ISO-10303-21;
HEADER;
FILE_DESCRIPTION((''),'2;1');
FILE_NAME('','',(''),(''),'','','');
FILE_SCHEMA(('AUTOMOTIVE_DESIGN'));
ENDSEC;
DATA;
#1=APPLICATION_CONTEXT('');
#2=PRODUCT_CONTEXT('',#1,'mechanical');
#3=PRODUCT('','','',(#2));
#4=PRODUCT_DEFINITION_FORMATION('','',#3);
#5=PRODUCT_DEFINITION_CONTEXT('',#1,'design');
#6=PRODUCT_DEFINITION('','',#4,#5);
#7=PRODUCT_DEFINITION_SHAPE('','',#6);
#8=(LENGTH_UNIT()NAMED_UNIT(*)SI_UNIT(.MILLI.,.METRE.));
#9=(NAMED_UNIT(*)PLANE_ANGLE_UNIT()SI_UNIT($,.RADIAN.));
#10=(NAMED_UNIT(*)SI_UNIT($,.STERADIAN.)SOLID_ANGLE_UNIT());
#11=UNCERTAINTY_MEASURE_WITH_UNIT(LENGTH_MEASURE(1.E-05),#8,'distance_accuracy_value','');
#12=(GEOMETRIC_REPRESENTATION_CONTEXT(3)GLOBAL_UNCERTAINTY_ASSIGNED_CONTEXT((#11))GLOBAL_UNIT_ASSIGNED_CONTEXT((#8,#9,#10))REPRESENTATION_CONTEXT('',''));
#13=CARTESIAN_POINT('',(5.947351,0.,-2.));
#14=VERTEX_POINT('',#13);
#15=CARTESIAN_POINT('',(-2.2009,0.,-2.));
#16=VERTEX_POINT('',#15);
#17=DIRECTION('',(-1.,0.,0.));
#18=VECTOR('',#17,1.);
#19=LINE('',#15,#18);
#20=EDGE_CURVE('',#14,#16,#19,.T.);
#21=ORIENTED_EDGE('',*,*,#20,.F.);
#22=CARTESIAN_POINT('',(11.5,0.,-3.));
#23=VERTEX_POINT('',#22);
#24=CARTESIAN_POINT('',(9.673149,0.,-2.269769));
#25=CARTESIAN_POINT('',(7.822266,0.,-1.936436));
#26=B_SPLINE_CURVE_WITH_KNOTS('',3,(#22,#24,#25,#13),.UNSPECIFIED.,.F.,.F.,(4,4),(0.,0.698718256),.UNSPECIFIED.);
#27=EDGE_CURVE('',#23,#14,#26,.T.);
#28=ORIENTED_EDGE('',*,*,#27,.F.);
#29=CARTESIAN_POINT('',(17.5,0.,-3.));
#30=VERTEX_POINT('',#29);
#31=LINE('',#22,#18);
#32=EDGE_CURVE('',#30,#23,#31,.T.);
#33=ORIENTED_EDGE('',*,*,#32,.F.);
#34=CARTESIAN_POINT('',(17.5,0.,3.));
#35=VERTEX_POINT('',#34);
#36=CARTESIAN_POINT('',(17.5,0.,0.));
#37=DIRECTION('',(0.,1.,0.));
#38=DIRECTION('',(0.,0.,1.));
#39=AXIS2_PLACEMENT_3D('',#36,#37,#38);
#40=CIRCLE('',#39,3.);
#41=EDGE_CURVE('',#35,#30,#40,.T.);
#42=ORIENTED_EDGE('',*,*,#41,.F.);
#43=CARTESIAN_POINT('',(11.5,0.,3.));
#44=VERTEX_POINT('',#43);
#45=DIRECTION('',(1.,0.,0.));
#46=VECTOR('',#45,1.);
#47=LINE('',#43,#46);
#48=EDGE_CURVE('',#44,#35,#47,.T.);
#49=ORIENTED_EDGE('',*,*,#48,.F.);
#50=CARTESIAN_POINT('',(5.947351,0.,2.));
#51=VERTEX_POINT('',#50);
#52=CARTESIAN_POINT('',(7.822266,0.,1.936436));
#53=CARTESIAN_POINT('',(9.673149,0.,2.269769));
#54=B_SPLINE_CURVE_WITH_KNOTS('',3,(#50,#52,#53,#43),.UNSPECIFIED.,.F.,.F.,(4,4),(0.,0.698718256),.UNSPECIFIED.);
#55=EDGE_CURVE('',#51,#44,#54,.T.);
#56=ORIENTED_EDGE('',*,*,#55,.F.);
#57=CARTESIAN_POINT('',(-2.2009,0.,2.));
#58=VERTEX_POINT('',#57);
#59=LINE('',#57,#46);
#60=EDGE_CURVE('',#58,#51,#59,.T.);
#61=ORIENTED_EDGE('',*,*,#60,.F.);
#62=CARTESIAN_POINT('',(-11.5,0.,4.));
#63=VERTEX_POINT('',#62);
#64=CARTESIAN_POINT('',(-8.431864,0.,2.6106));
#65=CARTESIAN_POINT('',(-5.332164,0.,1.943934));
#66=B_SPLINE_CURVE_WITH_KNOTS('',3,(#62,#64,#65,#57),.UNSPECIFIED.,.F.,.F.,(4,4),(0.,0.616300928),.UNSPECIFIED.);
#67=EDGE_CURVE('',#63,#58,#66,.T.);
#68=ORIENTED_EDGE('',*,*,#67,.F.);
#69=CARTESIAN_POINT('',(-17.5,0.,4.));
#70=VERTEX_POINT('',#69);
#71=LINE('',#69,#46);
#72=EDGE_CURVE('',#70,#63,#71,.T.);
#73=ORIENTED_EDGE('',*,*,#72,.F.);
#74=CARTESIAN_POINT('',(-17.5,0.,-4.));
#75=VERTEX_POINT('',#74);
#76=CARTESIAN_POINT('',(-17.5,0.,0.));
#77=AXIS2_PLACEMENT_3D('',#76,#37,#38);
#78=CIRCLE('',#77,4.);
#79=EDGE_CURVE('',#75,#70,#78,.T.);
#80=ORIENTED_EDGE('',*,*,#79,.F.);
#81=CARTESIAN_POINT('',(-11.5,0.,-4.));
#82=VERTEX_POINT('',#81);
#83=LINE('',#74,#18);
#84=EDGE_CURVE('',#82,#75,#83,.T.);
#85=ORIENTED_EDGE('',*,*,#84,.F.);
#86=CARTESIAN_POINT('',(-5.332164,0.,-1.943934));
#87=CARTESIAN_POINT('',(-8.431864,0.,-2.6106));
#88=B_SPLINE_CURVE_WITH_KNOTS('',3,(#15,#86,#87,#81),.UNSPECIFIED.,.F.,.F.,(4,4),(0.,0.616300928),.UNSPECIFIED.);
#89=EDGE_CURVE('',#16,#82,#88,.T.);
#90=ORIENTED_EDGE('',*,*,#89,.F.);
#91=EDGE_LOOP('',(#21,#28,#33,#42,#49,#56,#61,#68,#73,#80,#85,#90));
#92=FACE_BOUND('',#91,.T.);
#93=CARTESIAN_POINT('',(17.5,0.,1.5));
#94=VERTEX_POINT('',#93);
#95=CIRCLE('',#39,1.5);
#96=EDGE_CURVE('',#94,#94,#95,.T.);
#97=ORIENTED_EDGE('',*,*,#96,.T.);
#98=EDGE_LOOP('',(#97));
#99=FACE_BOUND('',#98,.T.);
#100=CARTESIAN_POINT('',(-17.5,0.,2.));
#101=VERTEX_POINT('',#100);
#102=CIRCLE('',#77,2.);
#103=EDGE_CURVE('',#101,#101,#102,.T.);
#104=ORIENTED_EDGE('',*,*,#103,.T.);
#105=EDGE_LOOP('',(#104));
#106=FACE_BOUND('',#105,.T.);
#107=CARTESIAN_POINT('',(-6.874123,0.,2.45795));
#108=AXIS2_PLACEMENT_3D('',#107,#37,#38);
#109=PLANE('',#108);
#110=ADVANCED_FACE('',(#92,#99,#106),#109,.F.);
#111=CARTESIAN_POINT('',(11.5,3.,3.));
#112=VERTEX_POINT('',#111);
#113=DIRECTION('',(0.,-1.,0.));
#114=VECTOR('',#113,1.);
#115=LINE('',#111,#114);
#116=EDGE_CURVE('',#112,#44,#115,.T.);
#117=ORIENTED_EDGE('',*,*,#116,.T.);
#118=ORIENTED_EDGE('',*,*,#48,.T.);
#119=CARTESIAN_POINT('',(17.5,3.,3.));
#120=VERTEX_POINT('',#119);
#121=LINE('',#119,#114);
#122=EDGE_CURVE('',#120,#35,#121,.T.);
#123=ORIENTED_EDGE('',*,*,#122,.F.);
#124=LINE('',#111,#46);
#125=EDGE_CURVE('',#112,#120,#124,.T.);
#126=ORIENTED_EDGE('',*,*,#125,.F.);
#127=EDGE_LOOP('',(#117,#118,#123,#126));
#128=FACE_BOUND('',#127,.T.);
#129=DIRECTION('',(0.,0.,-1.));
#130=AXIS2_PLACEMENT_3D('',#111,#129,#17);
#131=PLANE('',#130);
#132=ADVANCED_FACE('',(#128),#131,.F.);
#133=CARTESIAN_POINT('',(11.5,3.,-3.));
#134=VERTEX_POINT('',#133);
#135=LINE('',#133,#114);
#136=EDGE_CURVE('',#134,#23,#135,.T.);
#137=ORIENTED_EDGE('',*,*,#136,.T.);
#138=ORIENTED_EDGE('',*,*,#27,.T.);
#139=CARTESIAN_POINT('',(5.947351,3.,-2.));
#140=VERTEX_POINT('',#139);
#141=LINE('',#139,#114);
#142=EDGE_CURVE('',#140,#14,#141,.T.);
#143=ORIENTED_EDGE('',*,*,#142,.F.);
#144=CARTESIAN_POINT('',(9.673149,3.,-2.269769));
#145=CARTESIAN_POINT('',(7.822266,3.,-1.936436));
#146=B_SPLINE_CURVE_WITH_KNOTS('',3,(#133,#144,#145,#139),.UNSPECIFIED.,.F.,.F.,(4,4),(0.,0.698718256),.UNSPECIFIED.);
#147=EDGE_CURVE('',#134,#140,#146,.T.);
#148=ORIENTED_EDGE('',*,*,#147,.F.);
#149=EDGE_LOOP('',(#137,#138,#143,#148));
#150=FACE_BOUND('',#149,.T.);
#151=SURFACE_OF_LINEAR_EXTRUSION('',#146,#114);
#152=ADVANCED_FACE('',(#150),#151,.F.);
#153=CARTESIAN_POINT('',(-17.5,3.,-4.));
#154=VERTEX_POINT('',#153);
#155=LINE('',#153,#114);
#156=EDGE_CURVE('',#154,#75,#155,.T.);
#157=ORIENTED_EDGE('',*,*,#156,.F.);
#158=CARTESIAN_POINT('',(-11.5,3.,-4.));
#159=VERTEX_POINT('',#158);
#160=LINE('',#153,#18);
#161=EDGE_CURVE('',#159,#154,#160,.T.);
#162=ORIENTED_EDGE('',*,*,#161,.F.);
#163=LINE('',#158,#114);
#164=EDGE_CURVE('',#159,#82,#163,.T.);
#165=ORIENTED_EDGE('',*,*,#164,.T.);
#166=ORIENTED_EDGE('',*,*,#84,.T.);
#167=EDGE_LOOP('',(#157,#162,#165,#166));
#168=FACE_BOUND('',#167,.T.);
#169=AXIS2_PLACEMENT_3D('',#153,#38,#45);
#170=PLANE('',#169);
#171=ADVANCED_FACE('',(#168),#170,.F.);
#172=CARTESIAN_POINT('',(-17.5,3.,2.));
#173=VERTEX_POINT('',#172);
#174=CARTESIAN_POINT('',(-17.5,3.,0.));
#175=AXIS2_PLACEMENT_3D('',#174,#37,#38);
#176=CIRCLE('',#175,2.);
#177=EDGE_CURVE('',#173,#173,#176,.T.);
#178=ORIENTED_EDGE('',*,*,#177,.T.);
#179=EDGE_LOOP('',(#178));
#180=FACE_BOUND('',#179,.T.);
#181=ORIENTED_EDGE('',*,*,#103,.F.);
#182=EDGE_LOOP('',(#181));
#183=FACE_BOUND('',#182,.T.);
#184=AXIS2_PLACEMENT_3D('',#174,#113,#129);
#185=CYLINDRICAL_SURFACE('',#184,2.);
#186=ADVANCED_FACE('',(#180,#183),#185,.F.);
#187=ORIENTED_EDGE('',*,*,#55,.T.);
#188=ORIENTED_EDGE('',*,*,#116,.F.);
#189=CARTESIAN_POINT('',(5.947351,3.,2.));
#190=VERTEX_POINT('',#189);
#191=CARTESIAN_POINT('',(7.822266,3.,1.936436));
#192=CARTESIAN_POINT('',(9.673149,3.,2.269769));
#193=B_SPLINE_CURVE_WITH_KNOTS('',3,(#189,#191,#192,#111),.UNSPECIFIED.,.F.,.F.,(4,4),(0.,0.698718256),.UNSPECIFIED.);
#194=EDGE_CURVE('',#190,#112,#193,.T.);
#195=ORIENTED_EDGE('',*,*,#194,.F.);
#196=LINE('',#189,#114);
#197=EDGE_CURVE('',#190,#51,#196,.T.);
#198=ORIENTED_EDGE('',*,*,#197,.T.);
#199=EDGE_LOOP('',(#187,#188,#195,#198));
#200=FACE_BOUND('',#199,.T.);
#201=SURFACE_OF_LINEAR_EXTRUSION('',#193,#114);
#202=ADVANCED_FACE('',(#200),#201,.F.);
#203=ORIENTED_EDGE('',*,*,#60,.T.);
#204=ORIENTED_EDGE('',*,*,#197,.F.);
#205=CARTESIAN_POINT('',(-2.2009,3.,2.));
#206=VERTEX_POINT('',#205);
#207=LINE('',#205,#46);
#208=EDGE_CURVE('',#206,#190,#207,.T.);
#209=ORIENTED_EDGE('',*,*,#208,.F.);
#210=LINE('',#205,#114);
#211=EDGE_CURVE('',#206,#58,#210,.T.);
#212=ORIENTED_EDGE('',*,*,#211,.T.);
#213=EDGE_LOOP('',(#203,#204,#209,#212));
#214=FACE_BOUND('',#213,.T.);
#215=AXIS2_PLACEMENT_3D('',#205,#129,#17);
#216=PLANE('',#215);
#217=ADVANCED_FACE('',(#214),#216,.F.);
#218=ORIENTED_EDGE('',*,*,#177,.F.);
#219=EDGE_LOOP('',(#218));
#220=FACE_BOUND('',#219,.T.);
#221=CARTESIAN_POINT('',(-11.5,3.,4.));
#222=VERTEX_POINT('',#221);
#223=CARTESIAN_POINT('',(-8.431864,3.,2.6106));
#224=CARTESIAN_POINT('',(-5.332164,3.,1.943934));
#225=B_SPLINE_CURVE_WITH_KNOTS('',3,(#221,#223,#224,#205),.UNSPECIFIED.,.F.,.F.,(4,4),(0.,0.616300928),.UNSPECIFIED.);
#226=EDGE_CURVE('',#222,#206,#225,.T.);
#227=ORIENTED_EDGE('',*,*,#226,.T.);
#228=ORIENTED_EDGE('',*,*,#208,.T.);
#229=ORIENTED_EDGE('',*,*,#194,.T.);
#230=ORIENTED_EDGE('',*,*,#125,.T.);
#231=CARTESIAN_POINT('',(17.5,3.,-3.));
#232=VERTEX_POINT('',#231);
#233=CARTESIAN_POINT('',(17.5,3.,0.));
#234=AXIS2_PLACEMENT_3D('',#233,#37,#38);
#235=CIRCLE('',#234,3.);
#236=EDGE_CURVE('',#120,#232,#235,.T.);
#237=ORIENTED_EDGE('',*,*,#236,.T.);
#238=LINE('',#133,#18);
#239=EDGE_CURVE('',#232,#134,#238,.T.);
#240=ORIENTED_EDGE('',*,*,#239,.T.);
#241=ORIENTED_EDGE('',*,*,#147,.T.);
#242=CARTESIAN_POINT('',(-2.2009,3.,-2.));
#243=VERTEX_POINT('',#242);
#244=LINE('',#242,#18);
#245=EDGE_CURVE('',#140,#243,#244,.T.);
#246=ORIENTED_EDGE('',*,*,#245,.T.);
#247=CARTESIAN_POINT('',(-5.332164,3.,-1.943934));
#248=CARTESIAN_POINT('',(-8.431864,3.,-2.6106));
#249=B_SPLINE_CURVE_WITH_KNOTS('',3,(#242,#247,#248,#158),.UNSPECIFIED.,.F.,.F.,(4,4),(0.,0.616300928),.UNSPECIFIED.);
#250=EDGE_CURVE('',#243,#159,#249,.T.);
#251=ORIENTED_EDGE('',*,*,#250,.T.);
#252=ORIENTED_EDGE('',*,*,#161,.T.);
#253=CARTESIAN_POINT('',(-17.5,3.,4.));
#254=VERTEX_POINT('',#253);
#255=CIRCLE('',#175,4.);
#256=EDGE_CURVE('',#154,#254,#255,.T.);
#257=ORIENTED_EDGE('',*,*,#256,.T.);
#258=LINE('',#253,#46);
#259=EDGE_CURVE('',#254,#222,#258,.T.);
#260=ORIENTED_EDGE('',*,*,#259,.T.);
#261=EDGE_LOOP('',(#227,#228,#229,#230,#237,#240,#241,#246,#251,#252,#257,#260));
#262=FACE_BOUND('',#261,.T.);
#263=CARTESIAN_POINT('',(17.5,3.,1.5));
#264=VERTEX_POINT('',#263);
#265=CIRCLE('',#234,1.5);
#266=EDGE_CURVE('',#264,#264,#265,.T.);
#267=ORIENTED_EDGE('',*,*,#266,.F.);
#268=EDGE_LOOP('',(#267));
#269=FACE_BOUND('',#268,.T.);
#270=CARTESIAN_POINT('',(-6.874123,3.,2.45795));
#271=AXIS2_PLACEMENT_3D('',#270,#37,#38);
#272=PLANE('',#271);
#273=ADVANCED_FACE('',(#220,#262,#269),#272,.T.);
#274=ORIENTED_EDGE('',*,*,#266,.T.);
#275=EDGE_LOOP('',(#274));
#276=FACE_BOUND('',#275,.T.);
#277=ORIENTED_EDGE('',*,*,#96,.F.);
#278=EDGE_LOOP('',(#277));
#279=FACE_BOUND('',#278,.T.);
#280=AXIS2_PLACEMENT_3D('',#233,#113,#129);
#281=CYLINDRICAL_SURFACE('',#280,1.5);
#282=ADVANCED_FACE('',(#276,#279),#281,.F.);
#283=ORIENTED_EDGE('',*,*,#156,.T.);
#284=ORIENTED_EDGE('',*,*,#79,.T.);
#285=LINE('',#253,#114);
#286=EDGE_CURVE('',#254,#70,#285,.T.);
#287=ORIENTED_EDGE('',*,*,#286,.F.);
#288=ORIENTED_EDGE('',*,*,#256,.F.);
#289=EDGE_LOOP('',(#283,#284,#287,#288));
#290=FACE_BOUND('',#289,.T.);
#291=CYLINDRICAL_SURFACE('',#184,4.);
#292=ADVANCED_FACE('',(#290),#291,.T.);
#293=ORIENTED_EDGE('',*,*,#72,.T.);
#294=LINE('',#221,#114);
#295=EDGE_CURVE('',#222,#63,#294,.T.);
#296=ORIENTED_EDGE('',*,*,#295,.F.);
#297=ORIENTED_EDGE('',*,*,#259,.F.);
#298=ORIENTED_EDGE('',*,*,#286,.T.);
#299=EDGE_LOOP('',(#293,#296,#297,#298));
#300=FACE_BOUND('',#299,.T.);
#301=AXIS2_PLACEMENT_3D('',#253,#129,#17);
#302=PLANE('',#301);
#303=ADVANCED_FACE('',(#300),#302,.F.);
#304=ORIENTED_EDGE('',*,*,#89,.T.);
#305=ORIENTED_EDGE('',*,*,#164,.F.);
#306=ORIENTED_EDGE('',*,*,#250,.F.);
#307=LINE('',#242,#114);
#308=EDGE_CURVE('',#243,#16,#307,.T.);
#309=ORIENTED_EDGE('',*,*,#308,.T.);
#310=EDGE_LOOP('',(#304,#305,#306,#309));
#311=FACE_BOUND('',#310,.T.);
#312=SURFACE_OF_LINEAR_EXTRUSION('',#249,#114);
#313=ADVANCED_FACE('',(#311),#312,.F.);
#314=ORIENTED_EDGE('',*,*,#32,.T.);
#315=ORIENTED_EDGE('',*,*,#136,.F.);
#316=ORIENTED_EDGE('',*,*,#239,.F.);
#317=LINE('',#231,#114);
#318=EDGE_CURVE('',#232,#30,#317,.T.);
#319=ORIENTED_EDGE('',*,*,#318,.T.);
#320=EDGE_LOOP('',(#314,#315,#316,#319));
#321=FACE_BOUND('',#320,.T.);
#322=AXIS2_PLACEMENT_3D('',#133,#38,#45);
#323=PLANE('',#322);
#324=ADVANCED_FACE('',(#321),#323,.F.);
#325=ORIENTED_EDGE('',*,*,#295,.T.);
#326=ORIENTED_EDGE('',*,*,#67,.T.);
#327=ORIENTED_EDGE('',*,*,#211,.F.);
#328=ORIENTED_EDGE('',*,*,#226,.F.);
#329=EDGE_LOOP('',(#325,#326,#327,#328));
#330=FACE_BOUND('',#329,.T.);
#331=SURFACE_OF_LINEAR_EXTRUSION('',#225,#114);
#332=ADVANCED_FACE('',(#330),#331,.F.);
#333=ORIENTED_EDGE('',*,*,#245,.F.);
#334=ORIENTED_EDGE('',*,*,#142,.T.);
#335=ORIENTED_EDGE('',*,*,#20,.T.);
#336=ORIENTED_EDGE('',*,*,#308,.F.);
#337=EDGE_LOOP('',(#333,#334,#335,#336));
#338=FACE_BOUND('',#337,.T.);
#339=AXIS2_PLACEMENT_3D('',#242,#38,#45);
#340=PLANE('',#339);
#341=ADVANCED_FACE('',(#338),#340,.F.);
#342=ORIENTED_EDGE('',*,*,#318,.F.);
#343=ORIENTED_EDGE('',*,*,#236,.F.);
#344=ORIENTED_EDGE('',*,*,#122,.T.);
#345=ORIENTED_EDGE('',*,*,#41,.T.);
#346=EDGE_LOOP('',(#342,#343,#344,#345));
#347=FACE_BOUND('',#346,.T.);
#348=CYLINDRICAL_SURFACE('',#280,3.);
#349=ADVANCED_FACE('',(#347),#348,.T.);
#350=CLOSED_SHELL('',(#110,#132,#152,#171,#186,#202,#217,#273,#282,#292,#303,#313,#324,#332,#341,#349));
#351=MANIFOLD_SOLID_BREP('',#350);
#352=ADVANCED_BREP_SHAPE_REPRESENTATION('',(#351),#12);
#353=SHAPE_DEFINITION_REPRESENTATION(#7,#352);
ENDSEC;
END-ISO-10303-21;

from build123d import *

# Parameters (mm, degrees)
SKETCH1_R           = 2
SKETCH1_R_2         = 1.5
BOSS_EXTRUDE1_DEPTH = 3


with BuildPart() as part:
    # Sketch1 → Boss-Extrude1 (new body)
    with BuildSketch(Plane(origin=(0, 0, 0), x_dir=(1, 0, 0), z_dir=(0, 1, 0))):
        with BuildLine():
            Line((-17.5, -4), (-11.5, -4))
            add(Edge.make_bspline(
                [(-11.5, -4), (-8.431864047, -2.610600203), (-5.332163957, -1.943933537), (-2.200899734, -2)],
                knots=[0, 0, 0, 0, 0.616300928, 0.616300928, 0.616300928, 0.616300928], degree=3))
            Line((-2.200899734, -2), (5.947351403, -2))
            add(Edge.make_bspline(
                [(11.5, -3), (9.673149322, -2.269768842), (7.822266456, -1.936435509), (5.947351403, -2)],
                knots=[0, 0, 0, 0, 0.698718256, 0.698718256, 0.698718256, 0.698718256], degree=3))
            Line((11.5, -3), (17.5, -3))
            ThreePointArc((17.5, -3), (20.5, 0), (17.5, 3))
            Line((17.5, 3), (11.5, 3))
            add(Edge.make_bspline(
                [(11.5, 3), (9.673149322, 2.269768842), (7.822266456, 1.936435509), (5.947351403, 2)],
                knots=[0, 0, 0, 0, 0.698718256, 0.698718256, 0.698718256, 0.698718256], degree=3))
            Line((5.947351403, 2), (-2.200899734, 2))
            add(Edge.make_bspline(
                [(-11.5, 4), (-8.431864047, 2.610600203), (-5.332163957, 1.943933537), (-2.200899734, 2)],
                knots=[0, 0, 0, 0, 0.616300928, 0.616300928, 0.616300928, 0.616300928], degree=3))
            Line((-11.5, 4), (-17.5, 4))
            ThreePointArc((-17.5, 4), (-21.5, 0), (-17.5, -4))
        make_face()
        with Locations(Location((-17.5, 0, 0), (0, 0, 270))):
            Circle(SKETCH1_R, mode=Mode.SUBTRACT)
        with Locations(Location((17.5, 0, 0), (0, 0, 270))):
            Circle(SKETCH1_R_2, mode=Mode.SUBTRACT)
    extrude(amount=BOSS_EXTRUDE1_DEPTH)


solid = part.part
